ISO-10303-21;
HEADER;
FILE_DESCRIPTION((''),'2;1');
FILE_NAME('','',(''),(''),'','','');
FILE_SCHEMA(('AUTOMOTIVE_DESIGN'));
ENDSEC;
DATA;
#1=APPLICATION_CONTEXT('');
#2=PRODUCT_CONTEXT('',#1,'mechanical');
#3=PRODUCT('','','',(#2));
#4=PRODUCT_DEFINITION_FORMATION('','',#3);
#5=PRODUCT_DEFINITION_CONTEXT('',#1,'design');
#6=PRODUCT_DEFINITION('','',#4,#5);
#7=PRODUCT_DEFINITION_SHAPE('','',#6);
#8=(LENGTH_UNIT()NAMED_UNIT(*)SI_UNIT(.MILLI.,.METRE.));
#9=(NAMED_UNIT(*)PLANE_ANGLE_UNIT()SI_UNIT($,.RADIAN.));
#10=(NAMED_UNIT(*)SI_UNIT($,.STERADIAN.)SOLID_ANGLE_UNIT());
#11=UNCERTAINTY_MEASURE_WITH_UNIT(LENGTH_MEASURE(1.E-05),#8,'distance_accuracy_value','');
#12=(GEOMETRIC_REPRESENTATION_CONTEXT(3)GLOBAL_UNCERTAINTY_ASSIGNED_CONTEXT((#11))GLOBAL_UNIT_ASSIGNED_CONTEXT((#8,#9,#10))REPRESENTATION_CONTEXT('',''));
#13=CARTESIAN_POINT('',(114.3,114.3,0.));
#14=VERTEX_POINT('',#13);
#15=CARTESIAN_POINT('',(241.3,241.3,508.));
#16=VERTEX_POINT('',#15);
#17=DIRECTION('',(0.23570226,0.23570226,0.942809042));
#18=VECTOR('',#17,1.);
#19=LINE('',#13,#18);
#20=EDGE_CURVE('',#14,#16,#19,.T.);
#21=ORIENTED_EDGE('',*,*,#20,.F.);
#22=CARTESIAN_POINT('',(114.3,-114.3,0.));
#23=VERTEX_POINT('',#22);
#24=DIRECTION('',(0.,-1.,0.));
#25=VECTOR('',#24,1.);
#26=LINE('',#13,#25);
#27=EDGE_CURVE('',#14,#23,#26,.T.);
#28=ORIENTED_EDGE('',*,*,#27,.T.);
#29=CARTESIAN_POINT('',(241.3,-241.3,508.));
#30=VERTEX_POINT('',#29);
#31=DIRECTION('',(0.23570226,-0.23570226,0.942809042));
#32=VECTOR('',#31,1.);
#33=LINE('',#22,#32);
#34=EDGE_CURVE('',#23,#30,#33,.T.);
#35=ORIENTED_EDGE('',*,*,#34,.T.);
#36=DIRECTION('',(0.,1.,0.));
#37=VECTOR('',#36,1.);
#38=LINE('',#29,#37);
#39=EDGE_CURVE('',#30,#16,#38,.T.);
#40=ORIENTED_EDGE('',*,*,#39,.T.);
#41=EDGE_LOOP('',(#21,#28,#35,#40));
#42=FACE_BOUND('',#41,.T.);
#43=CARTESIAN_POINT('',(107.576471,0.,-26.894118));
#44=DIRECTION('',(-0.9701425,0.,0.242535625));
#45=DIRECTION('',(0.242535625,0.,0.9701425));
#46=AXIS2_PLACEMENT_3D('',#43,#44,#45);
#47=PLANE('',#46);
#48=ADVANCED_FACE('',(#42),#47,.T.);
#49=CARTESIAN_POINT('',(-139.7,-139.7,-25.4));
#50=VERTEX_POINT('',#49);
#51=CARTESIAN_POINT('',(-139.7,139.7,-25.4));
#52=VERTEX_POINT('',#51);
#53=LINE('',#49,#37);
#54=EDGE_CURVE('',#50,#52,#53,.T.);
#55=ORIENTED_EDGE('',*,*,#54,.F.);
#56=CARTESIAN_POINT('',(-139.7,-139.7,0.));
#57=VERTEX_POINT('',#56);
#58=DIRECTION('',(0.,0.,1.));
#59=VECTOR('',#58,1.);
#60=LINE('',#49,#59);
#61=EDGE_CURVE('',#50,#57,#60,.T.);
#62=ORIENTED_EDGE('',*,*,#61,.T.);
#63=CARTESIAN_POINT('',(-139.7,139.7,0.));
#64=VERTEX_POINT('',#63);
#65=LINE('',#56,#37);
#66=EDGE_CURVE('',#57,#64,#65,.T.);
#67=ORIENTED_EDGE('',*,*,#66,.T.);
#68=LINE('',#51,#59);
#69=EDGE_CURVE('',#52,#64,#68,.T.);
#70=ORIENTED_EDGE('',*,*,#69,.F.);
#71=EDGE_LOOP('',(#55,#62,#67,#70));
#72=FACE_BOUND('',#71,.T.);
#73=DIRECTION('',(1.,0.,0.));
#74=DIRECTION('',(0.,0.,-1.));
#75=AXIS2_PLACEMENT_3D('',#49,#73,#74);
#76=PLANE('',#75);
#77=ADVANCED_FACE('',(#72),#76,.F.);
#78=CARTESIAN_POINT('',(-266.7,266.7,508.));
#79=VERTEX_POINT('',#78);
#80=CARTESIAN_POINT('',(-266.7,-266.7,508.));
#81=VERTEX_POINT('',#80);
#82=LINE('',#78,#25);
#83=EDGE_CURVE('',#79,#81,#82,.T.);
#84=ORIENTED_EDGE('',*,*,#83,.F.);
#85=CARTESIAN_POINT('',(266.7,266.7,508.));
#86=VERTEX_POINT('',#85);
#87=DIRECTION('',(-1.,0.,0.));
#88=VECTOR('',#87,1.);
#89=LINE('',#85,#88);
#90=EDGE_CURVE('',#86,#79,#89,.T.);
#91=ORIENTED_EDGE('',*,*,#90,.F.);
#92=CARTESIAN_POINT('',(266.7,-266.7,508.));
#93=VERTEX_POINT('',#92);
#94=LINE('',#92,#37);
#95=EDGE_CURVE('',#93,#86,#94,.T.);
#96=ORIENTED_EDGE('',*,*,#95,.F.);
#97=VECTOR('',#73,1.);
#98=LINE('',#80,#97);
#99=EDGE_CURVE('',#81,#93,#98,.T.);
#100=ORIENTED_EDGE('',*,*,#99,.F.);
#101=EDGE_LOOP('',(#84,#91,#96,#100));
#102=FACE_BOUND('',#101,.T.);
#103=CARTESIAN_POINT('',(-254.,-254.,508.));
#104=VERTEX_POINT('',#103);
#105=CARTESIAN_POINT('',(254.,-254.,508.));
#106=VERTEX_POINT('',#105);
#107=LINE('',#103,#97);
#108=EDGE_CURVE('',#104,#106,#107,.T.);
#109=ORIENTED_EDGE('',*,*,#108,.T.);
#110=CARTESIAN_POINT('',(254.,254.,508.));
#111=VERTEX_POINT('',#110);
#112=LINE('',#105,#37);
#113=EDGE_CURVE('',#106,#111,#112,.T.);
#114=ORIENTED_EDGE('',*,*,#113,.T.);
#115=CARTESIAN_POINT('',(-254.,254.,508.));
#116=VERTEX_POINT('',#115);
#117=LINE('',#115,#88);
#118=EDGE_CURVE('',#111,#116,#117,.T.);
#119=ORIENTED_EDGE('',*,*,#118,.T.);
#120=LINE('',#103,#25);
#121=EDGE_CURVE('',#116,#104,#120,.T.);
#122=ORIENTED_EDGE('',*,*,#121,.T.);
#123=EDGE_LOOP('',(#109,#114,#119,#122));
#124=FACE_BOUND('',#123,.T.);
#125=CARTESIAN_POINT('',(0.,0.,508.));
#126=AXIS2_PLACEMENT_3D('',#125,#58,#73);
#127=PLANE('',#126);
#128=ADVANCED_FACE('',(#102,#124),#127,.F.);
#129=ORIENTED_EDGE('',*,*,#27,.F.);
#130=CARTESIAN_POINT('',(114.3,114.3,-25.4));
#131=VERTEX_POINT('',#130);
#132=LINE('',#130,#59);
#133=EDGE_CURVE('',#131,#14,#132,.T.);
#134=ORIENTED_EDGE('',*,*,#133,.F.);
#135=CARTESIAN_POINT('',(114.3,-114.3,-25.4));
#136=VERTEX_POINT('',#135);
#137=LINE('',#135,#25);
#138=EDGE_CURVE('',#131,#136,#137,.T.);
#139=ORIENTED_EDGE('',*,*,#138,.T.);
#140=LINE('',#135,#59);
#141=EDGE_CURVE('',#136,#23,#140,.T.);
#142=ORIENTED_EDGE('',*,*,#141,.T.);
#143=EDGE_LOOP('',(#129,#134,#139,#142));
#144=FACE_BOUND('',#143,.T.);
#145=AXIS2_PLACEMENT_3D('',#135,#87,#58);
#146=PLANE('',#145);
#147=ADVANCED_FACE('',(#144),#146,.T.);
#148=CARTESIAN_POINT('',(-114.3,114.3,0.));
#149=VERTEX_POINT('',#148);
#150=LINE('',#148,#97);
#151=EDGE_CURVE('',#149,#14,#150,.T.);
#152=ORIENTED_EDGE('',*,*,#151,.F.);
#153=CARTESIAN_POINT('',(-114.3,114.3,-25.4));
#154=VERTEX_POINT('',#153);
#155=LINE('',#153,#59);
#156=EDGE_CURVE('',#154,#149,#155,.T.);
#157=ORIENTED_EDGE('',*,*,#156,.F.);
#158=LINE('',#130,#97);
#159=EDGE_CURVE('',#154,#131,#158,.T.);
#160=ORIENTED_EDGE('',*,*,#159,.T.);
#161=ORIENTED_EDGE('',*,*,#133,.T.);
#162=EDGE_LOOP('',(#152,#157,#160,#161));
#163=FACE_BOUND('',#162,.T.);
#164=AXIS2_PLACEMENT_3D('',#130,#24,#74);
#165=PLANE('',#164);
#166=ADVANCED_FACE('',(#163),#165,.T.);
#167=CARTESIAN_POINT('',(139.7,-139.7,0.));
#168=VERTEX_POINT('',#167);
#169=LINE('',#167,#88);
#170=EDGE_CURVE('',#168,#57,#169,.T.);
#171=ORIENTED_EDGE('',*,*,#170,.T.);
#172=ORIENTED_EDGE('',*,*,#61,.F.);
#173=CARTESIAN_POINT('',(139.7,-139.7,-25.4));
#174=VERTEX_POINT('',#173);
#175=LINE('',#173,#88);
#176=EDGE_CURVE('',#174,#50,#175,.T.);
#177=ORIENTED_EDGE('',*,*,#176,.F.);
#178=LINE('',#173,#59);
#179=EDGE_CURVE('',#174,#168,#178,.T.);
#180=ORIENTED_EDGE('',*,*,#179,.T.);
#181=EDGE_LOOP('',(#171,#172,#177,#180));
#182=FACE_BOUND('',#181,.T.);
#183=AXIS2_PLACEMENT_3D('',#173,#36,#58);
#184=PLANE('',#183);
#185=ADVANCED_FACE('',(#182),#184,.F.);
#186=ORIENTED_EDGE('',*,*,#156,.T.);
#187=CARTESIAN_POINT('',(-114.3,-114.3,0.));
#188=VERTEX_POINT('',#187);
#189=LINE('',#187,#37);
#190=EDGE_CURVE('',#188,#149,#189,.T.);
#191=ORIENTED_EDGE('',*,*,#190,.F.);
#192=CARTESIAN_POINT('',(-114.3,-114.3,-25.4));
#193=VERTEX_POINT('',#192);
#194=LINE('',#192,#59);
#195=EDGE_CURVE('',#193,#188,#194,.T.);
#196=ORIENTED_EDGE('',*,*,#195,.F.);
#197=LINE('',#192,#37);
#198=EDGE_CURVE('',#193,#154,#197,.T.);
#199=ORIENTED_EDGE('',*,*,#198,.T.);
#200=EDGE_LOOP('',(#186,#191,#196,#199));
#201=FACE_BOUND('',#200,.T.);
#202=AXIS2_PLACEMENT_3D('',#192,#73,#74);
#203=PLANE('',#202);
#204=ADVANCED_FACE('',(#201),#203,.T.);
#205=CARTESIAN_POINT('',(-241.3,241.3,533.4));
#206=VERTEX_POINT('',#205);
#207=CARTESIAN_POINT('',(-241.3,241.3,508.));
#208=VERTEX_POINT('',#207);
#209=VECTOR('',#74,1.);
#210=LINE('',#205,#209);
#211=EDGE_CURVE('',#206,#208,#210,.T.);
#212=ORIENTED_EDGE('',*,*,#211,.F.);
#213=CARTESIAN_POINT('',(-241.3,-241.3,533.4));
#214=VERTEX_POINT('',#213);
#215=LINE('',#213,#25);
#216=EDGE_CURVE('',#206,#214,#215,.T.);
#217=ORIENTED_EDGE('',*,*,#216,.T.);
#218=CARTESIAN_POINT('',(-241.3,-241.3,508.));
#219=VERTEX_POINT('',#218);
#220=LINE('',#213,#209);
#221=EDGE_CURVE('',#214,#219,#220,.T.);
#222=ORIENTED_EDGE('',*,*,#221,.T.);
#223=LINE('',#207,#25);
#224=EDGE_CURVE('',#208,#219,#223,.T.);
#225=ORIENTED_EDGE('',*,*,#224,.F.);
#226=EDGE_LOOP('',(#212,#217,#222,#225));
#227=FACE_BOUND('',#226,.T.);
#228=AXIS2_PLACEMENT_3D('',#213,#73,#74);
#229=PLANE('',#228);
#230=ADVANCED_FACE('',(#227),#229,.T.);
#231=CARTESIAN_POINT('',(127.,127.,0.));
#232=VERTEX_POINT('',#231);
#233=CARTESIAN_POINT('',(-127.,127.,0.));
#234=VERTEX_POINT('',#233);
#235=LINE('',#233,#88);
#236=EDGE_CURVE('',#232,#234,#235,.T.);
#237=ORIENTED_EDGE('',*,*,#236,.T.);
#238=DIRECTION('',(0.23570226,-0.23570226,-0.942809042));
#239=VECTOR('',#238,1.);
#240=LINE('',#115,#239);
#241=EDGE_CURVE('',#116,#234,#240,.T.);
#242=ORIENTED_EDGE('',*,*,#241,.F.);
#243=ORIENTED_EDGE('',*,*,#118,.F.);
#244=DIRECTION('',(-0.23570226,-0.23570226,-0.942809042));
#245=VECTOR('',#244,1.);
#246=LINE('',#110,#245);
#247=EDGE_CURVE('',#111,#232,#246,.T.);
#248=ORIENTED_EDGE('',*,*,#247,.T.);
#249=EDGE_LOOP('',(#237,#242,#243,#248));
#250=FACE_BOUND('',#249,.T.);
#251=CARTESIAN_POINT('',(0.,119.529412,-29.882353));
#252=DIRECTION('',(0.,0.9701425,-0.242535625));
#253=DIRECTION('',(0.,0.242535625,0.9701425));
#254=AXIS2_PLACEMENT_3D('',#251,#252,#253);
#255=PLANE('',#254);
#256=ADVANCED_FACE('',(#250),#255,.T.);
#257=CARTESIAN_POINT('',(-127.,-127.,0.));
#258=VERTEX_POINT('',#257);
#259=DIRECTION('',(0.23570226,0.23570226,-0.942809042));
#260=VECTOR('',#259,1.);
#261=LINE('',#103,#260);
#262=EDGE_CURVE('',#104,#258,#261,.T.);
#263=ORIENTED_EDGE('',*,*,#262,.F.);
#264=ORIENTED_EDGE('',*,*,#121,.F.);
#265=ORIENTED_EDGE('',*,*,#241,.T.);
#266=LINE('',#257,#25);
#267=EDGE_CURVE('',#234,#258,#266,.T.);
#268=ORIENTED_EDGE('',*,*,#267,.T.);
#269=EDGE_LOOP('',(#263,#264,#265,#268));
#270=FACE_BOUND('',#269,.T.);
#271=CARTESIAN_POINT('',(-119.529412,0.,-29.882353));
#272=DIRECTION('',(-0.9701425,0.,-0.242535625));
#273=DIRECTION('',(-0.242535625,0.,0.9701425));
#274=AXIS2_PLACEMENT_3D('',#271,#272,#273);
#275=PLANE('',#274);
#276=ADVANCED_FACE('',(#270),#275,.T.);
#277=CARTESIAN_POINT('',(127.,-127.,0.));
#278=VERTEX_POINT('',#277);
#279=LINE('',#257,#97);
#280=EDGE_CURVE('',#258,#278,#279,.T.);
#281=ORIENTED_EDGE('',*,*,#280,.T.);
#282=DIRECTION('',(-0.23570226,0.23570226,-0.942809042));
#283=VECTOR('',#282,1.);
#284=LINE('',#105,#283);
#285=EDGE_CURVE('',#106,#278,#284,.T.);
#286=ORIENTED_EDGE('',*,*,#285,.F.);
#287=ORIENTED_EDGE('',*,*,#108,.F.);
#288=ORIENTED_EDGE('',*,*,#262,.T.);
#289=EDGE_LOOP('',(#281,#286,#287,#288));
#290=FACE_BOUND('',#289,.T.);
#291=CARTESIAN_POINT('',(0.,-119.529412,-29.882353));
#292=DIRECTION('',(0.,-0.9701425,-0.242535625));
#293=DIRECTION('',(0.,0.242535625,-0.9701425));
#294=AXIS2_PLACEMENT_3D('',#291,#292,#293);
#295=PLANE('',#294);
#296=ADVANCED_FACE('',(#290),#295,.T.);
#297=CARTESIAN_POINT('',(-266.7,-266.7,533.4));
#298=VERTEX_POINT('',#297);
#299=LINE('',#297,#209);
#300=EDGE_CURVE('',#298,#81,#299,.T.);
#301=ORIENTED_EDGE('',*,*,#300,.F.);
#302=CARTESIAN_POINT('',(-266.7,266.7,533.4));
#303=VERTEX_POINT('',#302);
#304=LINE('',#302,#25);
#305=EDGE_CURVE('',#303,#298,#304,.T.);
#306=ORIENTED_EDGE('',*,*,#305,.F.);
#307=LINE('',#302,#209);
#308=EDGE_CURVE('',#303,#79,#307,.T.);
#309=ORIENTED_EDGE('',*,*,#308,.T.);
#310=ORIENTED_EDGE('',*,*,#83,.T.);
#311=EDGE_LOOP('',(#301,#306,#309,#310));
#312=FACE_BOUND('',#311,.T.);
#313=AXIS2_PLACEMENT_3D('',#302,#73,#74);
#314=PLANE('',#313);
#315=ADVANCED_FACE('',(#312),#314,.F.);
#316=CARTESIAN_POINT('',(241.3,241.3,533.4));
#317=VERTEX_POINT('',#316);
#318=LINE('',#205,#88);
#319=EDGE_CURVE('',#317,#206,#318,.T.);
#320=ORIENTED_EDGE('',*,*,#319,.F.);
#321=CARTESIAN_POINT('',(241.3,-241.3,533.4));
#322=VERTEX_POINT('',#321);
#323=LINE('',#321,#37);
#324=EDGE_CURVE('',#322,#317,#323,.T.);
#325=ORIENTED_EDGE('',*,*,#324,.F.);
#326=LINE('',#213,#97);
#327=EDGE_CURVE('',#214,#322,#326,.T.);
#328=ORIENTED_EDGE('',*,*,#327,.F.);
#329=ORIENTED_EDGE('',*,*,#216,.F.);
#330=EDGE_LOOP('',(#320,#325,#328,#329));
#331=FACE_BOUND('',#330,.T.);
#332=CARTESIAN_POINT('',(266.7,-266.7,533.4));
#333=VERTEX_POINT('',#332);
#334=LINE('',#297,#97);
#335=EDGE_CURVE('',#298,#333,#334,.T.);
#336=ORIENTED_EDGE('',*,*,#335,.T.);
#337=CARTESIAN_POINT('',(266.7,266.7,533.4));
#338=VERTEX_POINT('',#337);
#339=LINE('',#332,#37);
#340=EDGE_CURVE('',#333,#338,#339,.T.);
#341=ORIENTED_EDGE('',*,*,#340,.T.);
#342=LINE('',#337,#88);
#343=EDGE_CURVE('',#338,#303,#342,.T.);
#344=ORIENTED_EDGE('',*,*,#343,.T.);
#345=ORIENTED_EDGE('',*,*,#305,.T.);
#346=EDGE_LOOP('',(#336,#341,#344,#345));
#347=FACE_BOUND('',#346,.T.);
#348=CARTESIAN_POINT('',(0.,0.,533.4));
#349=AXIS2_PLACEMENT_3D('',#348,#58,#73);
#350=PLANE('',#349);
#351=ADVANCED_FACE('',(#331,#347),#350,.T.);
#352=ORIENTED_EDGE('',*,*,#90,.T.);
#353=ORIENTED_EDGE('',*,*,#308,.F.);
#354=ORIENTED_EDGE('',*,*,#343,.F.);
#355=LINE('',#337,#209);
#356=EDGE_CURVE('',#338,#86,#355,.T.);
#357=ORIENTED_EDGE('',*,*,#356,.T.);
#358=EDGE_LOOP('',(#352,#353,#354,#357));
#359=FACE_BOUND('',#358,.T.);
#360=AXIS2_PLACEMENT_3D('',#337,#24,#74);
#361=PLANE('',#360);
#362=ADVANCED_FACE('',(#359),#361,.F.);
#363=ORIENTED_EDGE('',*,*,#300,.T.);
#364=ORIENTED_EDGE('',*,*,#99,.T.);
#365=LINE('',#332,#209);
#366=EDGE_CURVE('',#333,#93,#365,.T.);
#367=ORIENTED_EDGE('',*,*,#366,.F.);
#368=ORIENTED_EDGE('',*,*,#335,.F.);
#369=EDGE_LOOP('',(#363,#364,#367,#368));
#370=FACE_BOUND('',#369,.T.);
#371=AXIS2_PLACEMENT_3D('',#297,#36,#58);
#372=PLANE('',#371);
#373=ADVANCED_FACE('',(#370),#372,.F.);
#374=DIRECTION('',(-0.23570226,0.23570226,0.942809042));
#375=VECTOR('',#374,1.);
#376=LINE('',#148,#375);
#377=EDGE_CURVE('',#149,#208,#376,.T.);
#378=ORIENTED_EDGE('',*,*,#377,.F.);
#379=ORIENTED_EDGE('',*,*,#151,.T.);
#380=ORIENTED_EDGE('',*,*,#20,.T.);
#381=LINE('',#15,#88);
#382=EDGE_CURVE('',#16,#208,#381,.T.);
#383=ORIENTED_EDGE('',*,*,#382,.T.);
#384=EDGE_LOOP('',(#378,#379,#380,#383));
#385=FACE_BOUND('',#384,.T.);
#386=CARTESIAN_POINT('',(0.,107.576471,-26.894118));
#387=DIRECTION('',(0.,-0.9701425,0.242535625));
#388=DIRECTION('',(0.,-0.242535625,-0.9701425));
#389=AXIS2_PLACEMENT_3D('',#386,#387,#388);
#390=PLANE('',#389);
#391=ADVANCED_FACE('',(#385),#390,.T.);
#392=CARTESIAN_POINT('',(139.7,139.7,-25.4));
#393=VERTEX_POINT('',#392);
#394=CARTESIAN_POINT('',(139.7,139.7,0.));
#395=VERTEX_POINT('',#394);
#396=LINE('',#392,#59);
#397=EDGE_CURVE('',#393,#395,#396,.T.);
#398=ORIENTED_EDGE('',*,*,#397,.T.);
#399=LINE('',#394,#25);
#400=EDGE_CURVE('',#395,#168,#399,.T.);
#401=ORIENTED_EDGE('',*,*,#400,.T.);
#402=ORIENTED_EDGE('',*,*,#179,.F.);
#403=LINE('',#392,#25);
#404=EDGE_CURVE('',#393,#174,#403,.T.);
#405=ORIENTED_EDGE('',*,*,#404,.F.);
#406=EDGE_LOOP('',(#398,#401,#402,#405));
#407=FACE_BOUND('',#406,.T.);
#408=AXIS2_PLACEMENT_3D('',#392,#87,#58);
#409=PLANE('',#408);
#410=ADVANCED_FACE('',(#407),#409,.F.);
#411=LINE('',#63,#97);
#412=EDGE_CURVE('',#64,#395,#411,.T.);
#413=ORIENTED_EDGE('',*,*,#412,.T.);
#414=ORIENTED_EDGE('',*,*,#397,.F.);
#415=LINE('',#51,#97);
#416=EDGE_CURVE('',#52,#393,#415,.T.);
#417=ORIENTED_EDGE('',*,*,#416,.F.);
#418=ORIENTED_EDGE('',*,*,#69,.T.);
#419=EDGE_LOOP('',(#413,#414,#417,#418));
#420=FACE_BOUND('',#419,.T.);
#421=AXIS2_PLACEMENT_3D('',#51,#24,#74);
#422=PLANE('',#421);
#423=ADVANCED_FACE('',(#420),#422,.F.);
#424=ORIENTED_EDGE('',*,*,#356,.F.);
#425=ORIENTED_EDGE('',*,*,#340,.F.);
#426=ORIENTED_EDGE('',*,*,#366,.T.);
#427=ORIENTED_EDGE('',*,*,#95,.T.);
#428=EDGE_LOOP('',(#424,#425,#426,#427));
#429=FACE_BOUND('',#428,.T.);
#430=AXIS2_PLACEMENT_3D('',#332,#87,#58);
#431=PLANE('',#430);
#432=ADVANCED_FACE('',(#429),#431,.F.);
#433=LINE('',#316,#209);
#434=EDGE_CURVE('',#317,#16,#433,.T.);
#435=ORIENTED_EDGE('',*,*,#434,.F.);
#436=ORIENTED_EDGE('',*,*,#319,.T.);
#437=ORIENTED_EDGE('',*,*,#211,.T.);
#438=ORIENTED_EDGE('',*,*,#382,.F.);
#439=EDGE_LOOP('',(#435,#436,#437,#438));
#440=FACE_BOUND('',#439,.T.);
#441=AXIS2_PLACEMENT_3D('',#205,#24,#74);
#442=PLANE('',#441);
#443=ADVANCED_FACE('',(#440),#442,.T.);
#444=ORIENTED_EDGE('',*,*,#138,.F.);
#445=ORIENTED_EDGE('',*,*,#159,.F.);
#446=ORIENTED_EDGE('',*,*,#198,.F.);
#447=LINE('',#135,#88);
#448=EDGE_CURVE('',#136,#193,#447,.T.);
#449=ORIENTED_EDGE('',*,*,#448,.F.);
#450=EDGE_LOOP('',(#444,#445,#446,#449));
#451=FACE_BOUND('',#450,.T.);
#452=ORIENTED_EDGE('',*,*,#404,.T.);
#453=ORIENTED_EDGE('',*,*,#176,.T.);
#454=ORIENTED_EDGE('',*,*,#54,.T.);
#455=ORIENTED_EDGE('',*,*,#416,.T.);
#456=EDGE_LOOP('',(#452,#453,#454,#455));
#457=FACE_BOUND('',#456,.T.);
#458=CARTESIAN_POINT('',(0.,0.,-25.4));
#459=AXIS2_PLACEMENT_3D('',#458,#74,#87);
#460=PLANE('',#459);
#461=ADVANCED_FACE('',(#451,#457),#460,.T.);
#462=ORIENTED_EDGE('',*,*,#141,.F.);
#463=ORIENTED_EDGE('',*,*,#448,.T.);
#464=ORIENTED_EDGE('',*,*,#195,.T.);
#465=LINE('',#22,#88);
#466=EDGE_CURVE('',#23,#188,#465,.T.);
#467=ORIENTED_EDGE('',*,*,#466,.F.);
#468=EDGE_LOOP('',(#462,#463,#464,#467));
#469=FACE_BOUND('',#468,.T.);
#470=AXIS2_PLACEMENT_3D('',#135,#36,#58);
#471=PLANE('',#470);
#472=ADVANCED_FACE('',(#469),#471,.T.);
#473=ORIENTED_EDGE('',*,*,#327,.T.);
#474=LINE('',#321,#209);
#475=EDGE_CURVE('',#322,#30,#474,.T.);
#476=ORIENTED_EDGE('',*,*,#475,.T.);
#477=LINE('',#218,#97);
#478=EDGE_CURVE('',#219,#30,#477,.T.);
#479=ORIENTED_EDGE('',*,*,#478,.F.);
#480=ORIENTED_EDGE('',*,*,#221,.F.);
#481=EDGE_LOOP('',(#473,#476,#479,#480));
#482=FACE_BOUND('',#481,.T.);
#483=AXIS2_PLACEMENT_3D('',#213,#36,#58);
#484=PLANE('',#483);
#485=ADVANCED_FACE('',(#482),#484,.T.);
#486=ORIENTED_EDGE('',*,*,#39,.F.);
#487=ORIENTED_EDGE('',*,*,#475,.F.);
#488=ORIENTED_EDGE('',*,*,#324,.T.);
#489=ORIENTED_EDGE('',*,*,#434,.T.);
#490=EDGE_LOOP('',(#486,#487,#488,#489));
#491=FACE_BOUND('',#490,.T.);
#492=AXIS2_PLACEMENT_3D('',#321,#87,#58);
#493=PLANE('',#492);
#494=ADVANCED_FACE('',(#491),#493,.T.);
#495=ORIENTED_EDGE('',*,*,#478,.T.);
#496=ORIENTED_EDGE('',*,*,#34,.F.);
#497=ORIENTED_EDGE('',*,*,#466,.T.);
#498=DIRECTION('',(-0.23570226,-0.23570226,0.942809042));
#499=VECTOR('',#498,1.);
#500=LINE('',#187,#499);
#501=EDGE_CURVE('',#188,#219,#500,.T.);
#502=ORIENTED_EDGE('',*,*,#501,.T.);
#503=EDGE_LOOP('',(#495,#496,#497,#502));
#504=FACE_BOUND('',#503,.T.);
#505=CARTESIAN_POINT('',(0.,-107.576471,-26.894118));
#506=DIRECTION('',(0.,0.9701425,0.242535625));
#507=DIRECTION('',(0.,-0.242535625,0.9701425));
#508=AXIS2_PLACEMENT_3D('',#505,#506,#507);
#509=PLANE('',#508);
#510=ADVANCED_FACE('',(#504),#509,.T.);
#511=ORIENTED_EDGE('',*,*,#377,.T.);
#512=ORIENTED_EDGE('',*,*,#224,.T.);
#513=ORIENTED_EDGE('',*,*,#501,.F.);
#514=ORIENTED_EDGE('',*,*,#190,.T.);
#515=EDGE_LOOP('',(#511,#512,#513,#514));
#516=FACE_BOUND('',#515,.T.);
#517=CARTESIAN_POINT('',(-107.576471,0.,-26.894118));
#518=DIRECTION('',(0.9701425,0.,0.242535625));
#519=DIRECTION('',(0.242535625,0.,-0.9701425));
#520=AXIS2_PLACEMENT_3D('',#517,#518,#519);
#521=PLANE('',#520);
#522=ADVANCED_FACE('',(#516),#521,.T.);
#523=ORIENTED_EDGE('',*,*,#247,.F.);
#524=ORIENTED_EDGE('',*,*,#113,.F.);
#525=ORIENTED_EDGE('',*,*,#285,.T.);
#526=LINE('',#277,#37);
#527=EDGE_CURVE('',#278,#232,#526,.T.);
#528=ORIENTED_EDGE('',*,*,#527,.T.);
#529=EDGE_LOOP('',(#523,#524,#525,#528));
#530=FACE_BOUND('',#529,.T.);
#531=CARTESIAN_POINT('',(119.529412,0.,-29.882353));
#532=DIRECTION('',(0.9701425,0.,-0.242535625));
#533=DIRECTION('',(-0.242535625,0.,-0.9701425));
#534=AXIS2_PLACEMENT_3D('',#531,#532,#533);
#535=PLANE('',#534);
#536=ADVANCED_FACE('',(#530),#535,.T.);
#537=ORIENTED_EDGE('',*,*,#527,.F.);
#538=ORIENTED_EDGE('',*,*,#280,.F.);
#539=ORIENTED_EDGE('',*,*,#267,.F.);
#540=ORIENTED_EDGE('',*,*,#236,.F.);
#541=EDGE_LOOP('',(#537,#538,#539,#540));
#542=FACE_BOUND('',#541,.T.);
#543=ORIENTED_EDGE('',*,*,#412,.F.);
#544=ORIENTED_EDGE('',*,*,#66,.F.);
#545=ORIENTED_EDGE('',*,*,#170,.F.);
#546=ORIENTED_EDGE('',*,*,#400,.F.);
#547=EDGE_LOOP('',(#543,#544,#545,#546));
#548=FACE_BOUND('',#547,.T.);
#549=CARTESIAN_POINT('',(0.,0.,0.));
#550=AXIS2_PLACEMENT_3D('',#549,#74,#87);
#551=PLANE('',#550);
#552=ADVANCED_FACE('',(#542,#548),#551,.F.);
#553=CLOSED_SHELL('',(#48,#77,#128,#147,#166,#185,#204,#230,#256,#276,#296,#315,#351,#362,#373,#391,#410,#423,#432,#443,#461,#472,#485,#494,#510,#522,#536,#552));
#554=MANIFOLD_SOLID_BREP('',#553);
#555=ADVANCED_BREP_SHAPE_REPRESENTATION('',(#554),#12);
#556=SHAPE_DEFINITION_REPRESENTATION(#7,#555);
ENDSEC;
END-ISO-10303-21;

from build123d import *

# Parameters (mm, degrees)
SKETCH5_W           = 533.4
SKETCH5_H           = 533.4
SKETCH5_W_2         = 482.6
SKETCH5_H_2         = 482.6
BOSS_EXTRUDE1_DEPTH = 25.4
SKETCH6_W           = 279.4
SKETCH6_H           = 279.4
SKETCH6_W_2         = 228.6
SKETCH6_H_2         = 228.6
BOSS_EXTRUDE2_DEPTH = 25.4


with BuildPart() as part:
    # Sketch2 → Loft1 section 0
    with BuildSketch(Plane.XY.offset(508)):
        with BuildLine():
            Line((-254, -254), (254, -254))
            Line((254, -254), (254, 254))
            Line((254, 254), (-254, 254))
            Line((-254, 254), (-254, -254))
        make_face()
    # Sketch1 → Loft1 section 1
    with BuildSketch(Plane.XY):
        with BuildLine():
            Line((-127, -127), (127, -127))
            Line((127, -127), (127, 127))
            Line((127, 127), (-127, 127))
            Line((-127, 127), (-127, -127))
        make_face()
    loft()

    # Sketch4 → Cut-Loft1 section 0
    with BuildSketch(Plane(origin=(0, 0, 0), x_dir=(-1, 0, 0), z_dir=(0, 0, -1))):
        with BuildLine():
            Line((114.3, -114.3), (114.3, 114.3))
            Line((114.3, 114.3), (-114.3, 114.3))
            Line((-114.3, 114.3), (-114.3, -114.3))
            Line((-114.3, -114.3), (114.3, -114.3))
        make_face()
    # Sketch3 → Cut-Loft1 section 1
    with BuildSketch(Plane.XY.offset(508)):
        with BuildLine():
            Line((241.3, -241.3), (241.3, 241.3))
            Line((241.3, 241.3), (-241.3, 241.3))
            Line((-241.3, 241.3), (-241.3, -241.3))
            Line((-241.3, -241.3), (241.3, -241.3))
        make_face()
    loft(mode=Mode.SUBTRACT)

    # Sketch5 → Boss-Extrude1 (add)
    with BuildSketch(Plane.XY.offset(508)):
        Rectangle(SKETCH5_W, SKETCH5_H)
        Rectangle(SKETCH5_W_2, SKETCH5_H_2, mode=Mode.SUBTRACT)
    extrude(amount=BOSS_EXTRUDE1_DEPTH)

    # Sketch6 → Boss-Extrude2 (add)
    with BuildSketch(Plane(origin=(0, 0, 0), x_dir=(-1, 0, 0), z_dir=(0, 0, -1))):
        Rectangle(SKETCH6_W, SKETCH6_H)
        Rectangle(SKETCH6_W_2, SKETCH6_H_2, mode=Mode.SUBTRACT)
    extrude(amount=BOSS_EXTRUDE2_DEPTH)


solid = part.part
